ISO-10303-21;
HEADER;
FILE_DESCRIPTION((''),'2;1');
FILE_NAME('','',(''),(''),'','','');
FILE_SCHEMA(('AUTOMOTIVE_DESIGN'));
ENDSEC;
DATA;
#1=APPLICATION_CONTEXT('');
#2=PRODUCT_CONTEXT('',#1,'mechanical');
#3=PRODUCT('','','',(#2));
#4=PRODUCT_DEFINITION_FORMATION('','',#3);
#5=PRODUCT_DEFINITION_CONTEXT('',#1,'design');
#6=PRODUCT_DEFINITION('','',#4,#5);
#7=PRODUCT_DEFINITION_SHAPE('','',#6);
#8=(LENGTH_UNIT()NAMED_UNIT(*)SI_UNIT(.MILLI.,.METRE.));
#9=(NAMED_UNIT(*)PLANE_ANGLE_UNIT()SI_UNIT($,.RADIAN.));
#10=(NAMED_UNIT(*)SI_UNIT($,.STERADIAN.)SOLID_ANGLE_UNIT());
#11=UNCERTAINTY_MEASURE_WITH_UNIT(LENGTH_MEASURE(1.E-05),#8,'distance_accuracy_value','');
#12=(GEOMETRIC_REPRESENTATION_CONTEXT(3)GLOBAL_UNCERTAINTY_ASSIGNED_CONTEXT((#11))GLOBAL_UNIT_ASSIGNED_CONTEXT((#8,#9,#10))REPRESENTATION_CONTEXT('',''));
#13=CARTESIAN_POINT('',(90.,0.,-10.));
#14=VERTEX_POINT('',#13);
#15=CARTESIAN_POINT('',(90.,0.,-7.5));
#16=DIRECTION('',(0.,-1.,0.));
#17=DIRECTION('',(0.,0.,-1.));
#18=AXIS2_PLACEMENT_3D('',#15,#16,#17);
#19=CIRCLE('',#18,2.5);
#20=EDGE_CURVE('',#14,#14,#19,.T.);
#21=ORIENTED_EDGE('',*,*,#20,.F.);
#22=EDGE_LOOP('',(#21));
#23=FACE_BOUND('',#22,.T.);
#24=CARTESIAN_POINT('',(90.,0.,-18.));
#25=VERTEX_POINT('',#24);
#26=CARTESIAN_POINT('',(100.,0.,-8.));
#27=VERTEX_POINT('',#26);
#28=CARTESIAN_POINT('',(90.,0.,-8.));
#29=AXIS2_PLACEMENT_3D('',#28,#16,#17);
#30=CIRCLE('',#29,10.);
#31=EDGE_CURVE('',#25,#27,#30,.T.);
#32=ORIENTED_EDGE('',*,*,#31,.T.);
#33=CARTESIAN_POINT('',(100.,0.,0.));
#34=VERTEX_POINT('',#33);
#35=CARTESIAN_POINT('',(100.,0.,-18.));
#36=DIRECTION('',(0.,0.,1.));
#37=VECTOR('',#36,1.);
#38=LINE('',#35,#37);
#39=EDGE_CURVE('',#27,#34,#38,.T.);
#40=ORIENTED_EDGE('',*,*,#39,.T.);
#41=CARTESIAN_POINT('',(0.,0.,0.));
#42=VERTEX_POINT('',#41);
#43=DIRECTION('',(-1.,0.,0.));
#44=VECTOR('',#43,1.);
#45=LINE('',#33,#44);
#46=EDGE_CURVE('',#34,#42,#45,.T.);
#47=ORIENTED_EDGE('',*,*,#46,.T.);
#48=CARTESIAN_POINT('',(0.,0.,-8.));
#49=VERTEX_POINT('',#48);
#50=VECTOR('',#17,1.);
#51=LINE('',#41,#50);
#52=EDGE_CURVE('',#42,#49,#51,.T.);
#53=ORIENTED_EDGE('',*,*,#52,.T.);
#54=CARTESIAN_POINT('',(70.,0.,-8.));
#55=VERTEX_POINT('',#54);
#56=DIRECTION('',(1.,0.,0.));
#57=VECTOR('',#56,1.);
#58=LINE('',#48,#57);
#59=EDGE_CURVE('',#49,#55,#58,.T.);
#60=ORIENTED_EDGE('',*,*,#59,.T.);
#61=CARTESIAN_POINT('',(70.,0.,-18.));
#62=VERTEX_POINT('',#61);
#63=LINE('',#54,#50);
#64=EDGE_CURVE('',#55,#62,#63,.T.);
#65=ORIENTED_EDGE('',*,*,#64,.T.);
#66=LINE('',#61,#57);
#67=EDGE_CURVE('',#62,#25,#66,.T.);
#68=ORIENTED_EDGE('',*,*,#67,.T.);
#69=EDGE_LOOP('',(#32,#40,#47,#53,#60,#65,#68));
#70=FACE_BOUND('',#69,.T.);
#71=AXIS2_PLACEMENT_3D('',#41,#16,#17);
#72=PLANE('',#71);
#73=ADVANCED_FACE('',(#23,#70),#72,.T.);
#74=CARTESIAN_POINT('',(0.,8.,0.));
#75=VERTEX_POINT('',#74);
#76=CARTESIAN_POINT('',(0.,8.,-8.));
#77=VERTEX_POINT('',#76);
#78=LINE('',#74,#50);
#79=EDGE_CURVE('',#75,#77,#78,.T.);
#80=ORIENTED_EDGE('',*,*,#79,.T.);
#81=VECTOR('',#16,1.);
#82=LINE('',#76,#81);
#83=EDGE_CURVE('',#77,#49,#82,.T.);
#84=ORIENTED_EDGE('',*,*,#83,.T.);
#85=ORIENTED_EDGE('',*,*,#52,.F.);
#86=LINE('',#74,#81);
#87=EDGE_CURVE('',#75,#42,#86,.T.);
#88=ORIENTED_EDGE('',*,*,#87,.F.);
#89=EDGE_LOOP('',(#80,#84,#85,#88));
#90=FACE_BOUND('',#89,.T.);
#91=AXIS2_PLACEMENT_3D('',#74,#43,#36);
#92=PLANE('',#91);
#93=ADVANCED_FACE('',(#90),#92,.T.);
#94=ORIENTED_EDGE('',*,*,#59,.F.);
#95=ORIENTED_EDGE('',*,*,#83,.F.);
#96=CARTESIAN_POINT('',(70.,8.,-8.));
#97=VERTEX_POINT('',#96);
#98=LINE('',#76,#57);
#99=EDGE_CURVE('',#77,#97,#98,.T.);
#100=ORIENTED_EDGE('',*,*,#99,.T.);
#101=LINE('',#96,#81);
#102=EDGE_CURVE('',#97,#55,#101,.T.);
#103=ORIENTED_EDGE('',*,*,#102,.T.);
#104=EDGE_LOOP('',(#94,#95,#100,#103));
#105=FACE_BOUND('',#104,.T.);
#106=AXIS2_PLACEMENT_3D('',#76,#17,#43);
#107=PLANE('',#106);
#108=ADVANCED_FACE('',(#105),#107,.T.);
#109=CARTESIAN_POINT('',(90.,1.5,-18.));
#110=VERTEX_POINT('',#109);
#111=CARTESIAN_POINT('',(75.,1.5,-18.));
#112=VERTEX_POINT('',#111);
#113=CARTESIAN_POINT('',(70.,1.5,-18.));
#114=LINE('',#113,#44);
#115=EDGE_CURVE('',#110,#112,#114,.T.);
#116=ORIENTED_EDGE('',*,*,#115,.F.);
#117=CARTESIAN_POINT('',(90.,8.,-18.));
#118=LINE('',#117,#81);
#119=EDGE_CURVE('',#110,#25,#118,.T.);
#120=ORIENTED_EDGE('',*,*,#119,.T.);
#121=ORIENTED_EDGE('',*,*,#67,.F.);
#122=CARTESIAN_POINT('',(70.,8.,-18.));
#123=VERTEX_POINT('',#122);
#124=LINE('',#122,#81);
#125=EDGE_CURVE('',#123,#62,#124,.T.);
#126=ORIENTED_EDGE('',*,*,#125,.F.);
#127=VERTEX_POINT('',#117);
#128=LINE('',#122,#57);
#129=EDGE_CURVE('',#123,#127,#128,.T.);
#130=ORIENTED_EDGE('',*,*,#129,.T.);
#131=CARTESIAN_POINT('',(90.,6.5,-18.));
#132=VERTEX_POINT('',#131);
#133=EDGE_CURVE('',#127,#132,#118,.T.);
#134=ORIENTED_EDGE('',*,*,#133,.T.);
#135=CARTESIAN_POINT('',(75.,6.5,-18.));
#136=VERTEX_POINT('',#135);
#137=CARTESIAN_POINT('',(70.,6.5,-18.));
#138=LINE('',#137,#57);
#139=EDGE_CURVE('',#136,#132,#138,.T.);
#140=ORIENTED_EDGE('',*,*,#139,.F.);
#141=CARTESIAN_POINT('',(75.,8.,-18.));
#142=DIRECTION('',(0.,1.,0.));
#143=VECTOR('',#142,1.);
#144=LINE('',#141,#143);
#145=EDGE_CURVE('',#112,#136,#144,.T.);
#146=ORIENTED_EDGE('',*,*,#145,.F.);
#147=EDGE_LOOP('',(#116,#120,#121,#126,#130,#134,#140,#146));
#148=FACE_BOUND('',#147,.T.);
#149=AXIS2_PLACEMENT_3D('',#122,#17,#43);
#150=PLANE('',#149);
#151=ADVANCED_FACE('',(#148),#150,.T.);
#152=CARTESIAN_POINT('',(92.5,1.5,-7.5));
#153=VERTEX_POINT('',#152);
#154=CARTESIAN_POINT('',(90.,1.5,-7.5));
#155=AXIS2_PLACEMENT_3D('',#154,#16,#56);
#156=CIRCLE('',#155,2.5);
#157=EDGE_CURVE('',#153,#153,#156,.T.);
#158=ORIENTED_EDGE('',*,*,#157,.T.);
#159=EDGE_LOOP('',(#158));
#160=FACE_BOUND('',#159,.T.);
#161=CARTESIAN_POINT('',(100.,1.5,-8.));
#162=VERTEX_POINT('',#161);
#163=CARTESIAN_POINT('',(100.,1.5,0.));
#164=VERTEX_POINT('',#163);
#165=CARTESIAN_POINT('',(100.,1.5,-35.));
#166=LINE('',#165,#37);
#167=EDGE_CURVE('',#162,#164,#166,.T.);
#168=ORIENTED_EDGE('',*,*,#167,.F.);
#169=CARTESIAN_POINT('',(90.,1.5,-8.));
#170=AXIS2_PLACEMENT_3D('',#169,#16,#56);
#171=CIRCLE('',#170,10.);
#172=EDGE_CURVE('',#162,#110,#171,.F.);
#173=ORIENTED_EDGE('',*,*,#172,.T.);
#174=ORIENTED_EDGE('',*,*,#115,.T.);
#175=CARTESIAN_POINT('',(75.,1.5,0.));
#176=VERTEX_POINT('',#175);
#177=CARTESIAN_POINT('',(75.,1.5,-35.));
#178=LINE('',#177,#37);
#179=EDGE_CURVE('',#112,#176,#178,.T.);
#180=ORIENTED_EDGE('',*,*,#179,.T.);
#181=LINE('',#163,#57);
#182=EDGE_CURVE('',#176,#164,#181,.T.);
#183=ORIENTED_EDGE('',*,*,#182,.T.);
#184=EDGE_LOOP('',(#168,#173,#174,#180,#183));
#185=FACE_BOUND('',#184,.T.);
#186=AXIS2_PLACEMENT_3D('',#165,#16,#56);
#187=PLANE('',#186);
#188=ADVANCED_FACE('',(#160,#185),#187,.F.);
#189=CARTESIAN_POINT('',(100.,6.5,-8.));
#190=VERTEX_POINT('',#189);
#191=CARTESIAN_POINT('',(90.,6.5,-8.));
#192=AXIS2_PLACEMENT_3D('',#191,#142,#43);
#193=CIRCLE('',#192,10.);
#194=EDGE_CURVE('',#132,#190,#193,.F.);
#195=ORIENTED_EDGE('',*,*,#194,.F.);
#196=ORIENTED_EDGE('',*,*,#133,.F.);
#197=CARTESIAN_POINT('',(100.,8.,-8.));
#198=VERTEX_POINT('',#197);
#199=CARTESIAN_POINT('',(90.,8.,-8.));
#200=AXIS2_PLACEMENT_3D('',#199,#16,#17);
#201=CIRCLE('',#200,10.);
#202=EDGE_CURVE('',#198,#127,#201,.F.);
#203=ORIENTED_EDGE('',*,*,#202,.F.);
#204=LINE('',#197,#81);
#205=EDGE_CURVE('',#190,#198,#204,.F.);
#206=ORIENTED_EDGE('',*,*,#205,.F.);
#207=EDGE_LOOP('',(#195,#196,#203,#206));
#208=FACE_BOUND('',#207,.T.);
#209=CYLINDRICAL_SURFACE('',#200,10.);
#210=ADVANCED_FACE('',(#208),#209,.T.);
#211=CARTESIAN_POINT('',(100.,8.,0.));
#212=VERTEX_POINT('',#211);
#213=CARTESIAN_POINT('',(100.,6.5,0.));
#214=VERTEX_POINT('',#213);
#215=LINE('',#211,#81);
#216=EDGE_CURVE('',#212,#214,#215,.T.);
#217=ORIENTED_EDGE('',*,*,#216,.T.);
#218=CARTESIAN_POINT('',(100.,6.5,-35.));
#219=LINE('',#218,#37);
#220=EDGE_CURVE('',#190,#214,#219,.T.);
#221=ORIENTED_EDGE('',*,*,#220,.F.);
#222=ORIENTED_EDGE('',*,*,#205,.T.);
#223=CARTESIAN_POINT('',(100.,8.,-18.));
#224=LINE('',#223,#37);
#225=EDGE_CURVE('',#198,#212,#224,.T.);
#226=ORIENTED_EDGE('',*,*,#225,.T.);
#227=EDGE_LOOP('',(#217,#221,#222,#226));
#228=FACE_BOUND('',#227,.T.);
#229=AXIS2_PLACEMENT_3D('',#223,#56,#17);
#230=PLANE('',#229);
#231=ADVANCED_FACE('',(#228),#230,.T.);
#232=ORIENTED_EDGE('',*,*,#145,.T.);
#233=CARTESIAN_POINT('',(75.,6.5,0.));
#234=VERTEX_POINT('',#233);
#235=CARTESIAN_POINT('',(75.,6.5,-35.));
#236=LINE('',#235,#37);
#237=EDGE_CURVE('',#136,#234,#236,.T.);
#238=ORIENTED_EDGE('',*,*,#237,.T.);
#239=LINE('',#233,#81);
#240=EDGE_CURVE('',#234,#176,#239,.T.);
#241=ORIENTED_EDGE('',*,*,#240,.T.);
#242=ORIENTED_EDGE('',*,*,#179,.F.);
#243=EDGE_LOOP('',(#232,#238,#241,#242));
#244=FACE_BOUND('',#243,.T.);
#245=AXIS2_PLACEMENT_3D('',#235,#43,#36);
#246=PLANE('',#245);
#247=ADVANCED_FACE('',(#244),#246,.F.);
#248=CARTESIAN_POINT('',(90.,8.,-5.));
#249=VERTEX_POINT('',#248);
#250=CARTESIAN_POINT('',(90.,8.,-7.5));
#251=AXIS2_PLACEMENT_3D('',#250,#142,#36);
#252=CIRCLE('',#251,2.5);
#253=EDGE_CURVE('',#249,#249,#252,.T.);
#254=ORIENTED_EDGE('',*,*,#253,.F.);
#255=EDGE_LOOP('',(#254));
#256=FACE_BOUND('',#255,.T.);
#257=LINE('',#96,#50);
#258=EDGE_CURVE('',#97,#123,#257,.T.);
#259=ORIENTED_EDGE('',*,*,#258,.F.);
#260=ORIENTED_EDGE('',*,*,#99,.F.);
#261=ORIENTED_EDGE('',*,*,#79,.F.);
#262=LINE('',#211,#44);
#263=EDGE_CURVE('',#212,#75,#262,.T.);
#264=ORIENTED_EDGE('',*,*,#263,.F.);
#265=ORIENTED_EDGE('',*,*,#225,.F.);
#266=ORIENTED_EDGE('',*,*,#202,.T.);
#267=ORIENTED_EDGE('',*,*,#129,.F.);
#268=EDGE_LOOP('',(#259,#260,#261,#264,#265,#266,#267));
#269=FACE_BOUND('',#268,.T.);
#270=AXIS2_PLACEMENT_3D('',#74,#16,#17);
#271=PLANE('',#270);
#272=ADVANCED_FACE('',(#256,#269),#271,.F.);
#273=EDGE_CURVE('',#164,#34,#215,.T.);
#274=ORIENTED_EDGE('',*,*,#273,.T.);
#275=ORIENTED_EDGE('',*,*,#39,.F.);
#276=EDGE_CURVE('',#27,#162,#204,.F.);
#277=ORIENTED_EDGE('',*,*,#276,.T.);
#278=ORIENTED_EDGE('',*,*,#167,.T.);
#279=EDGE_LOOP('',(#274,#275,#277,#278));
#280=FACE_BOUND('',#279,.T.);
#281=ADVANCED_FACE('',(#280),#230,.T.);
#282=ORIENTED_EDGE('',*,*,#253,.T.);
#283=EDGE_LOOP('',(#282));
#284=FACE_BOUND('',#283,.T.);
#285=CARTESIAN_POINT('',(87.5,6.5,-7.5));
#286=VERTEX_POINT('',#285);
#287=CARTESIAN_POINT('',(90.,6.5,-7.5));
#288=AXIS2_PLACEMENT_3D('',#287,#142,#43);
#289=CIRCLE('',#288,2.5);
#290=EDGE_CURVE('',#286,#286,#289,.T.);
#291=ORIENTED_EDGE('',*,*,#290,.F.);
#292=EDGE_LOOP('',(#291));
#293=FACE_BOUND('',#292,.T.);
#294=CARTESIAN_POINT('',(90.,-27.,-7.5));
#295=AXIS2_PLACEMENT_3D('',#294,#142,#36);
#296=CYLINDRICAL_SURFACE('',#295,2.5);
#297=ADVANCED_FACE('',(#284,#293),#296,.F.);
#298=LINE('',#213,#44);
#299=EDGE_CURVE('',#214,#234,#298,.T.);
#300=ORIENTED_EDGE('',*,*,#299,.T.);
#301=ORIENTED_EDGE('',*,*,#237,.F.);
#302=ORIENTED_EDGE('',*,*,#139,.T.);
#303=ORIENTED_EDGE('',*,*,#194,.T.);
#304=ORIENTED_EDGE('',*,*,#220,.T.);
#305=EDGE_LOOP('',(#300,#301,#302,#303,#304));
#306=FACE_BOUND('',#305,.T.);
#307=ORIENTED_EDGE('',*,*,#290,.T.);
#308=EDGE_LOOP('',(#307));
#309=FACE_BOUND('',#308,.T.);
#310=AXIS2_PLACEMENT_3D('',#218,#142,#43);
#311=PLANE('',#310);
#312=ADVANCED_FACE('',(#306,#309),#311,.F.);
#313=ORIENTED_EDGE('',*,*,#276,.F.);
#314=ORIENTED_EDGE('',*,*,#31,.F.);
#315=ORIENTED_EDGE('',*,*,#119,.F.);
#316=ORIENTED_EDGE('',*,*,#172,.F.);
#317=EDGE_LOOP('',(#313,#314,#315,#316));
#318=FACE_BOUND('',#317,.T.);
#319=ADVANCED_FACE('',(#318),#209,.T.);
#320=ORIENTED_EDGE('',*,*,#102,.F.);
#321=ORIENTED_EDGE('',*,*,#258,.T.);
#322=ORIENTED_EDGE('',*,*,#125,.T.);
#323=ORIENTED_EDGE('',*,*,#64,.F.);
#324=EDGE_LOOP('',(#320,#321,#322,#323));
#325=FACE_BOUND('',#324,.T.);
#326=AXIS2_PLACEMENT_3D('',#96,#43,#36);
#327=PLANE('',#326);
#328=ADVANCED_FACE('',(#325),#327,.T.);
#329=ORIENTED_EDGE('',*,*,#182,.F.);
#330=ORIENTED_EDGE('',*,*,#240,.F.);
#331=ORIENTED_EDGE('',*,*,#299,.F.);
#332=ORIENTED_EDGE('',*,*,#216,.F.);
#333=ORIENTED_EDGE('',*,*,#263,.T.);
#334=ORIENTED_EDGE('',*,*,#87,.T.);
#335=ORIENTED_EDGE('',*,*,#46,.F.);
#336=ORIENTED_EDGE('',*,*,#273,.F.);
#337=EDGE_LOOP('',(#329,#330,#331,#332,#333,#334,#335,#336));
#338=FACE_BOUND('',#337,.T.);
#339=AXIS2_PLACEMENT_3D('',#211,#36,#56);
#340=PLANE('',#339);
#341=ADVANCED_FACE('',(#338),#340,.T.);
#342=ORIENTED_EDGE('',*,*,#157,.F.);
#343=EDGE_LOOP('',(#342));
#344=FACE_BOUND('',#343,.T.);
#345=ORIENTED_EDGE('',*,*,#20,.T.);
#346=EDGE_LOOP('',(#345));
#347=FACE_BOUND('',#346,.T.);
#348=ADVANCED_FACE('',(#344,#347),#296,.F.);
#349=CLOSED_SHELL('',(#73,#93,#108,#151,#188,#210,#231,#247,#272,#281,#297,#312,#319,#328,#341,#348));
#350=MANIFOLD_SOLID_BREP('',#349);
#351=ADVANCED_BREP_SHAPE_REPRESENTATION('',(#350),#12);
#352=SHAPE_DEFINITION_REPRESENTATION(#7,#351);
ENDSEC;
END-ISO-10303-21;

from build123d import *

# Parameters (mm, degrees)
BOSS_EXTRUDE1_DEPTH = 8
SKETCH2_W           = 25
SKETCH2_H           = 5
CUT_EXTRUDE1_DEPTH  = 35
SKETCH3_R           = 2.5
CUT_EXTRUDE2_DEPTH  = 35
FILLET1_R           = 10


with BuildPart() as part:
    # Sketch1 → Boss-Extrude1 (new body)
    with BuildSketch(Plane(origin=(0, 0, 0), x_dir=(1, 0, 0), z_dir=(0, 1, 0))):
        Polygon((0, 0), (0, 8), (70, 8), (70, 18), (100, 18), (100, 0), align=None)
    extrude(amount=BOSS_EXTRUDE1_DEPTH)

    # Sketch2 → Cut-Extrude1 (cut)
    with BuildSketch(Plane.XY):
        with Locations((87.5, 4)):
            Rectangle(SKETCH2_W, SKETCH2_H)
    extrude(amount=-CUT_EXTRUDE1_DEPTH, mode=Mode.SUBTRACT)

    # Sketch3 → Cut-Extrude2 (cut)
    with BuildSketch(Plane(origin=(0, 8, 0), x_dir=(1, 0, 0), z_dir=(0, 1, 0))):
        with Locations(Location((90, 7.5, 0), (0, 0, 270))):
            Circle(SKETCH3_R)
    extrude(amount=-CUT_EXTRUDE2_DEPTH, mode=Mode.SUBTRACT)

    # Fillet1
    fillet1_edges = [part.edges().sort_by_distance(p)[0] for p in [
        (100, 7.25, -18),
        (100, 0.75, -18),
    ]]
    fillet(fillet1_edges, radius=FILLET1_R)


solid = part.part
